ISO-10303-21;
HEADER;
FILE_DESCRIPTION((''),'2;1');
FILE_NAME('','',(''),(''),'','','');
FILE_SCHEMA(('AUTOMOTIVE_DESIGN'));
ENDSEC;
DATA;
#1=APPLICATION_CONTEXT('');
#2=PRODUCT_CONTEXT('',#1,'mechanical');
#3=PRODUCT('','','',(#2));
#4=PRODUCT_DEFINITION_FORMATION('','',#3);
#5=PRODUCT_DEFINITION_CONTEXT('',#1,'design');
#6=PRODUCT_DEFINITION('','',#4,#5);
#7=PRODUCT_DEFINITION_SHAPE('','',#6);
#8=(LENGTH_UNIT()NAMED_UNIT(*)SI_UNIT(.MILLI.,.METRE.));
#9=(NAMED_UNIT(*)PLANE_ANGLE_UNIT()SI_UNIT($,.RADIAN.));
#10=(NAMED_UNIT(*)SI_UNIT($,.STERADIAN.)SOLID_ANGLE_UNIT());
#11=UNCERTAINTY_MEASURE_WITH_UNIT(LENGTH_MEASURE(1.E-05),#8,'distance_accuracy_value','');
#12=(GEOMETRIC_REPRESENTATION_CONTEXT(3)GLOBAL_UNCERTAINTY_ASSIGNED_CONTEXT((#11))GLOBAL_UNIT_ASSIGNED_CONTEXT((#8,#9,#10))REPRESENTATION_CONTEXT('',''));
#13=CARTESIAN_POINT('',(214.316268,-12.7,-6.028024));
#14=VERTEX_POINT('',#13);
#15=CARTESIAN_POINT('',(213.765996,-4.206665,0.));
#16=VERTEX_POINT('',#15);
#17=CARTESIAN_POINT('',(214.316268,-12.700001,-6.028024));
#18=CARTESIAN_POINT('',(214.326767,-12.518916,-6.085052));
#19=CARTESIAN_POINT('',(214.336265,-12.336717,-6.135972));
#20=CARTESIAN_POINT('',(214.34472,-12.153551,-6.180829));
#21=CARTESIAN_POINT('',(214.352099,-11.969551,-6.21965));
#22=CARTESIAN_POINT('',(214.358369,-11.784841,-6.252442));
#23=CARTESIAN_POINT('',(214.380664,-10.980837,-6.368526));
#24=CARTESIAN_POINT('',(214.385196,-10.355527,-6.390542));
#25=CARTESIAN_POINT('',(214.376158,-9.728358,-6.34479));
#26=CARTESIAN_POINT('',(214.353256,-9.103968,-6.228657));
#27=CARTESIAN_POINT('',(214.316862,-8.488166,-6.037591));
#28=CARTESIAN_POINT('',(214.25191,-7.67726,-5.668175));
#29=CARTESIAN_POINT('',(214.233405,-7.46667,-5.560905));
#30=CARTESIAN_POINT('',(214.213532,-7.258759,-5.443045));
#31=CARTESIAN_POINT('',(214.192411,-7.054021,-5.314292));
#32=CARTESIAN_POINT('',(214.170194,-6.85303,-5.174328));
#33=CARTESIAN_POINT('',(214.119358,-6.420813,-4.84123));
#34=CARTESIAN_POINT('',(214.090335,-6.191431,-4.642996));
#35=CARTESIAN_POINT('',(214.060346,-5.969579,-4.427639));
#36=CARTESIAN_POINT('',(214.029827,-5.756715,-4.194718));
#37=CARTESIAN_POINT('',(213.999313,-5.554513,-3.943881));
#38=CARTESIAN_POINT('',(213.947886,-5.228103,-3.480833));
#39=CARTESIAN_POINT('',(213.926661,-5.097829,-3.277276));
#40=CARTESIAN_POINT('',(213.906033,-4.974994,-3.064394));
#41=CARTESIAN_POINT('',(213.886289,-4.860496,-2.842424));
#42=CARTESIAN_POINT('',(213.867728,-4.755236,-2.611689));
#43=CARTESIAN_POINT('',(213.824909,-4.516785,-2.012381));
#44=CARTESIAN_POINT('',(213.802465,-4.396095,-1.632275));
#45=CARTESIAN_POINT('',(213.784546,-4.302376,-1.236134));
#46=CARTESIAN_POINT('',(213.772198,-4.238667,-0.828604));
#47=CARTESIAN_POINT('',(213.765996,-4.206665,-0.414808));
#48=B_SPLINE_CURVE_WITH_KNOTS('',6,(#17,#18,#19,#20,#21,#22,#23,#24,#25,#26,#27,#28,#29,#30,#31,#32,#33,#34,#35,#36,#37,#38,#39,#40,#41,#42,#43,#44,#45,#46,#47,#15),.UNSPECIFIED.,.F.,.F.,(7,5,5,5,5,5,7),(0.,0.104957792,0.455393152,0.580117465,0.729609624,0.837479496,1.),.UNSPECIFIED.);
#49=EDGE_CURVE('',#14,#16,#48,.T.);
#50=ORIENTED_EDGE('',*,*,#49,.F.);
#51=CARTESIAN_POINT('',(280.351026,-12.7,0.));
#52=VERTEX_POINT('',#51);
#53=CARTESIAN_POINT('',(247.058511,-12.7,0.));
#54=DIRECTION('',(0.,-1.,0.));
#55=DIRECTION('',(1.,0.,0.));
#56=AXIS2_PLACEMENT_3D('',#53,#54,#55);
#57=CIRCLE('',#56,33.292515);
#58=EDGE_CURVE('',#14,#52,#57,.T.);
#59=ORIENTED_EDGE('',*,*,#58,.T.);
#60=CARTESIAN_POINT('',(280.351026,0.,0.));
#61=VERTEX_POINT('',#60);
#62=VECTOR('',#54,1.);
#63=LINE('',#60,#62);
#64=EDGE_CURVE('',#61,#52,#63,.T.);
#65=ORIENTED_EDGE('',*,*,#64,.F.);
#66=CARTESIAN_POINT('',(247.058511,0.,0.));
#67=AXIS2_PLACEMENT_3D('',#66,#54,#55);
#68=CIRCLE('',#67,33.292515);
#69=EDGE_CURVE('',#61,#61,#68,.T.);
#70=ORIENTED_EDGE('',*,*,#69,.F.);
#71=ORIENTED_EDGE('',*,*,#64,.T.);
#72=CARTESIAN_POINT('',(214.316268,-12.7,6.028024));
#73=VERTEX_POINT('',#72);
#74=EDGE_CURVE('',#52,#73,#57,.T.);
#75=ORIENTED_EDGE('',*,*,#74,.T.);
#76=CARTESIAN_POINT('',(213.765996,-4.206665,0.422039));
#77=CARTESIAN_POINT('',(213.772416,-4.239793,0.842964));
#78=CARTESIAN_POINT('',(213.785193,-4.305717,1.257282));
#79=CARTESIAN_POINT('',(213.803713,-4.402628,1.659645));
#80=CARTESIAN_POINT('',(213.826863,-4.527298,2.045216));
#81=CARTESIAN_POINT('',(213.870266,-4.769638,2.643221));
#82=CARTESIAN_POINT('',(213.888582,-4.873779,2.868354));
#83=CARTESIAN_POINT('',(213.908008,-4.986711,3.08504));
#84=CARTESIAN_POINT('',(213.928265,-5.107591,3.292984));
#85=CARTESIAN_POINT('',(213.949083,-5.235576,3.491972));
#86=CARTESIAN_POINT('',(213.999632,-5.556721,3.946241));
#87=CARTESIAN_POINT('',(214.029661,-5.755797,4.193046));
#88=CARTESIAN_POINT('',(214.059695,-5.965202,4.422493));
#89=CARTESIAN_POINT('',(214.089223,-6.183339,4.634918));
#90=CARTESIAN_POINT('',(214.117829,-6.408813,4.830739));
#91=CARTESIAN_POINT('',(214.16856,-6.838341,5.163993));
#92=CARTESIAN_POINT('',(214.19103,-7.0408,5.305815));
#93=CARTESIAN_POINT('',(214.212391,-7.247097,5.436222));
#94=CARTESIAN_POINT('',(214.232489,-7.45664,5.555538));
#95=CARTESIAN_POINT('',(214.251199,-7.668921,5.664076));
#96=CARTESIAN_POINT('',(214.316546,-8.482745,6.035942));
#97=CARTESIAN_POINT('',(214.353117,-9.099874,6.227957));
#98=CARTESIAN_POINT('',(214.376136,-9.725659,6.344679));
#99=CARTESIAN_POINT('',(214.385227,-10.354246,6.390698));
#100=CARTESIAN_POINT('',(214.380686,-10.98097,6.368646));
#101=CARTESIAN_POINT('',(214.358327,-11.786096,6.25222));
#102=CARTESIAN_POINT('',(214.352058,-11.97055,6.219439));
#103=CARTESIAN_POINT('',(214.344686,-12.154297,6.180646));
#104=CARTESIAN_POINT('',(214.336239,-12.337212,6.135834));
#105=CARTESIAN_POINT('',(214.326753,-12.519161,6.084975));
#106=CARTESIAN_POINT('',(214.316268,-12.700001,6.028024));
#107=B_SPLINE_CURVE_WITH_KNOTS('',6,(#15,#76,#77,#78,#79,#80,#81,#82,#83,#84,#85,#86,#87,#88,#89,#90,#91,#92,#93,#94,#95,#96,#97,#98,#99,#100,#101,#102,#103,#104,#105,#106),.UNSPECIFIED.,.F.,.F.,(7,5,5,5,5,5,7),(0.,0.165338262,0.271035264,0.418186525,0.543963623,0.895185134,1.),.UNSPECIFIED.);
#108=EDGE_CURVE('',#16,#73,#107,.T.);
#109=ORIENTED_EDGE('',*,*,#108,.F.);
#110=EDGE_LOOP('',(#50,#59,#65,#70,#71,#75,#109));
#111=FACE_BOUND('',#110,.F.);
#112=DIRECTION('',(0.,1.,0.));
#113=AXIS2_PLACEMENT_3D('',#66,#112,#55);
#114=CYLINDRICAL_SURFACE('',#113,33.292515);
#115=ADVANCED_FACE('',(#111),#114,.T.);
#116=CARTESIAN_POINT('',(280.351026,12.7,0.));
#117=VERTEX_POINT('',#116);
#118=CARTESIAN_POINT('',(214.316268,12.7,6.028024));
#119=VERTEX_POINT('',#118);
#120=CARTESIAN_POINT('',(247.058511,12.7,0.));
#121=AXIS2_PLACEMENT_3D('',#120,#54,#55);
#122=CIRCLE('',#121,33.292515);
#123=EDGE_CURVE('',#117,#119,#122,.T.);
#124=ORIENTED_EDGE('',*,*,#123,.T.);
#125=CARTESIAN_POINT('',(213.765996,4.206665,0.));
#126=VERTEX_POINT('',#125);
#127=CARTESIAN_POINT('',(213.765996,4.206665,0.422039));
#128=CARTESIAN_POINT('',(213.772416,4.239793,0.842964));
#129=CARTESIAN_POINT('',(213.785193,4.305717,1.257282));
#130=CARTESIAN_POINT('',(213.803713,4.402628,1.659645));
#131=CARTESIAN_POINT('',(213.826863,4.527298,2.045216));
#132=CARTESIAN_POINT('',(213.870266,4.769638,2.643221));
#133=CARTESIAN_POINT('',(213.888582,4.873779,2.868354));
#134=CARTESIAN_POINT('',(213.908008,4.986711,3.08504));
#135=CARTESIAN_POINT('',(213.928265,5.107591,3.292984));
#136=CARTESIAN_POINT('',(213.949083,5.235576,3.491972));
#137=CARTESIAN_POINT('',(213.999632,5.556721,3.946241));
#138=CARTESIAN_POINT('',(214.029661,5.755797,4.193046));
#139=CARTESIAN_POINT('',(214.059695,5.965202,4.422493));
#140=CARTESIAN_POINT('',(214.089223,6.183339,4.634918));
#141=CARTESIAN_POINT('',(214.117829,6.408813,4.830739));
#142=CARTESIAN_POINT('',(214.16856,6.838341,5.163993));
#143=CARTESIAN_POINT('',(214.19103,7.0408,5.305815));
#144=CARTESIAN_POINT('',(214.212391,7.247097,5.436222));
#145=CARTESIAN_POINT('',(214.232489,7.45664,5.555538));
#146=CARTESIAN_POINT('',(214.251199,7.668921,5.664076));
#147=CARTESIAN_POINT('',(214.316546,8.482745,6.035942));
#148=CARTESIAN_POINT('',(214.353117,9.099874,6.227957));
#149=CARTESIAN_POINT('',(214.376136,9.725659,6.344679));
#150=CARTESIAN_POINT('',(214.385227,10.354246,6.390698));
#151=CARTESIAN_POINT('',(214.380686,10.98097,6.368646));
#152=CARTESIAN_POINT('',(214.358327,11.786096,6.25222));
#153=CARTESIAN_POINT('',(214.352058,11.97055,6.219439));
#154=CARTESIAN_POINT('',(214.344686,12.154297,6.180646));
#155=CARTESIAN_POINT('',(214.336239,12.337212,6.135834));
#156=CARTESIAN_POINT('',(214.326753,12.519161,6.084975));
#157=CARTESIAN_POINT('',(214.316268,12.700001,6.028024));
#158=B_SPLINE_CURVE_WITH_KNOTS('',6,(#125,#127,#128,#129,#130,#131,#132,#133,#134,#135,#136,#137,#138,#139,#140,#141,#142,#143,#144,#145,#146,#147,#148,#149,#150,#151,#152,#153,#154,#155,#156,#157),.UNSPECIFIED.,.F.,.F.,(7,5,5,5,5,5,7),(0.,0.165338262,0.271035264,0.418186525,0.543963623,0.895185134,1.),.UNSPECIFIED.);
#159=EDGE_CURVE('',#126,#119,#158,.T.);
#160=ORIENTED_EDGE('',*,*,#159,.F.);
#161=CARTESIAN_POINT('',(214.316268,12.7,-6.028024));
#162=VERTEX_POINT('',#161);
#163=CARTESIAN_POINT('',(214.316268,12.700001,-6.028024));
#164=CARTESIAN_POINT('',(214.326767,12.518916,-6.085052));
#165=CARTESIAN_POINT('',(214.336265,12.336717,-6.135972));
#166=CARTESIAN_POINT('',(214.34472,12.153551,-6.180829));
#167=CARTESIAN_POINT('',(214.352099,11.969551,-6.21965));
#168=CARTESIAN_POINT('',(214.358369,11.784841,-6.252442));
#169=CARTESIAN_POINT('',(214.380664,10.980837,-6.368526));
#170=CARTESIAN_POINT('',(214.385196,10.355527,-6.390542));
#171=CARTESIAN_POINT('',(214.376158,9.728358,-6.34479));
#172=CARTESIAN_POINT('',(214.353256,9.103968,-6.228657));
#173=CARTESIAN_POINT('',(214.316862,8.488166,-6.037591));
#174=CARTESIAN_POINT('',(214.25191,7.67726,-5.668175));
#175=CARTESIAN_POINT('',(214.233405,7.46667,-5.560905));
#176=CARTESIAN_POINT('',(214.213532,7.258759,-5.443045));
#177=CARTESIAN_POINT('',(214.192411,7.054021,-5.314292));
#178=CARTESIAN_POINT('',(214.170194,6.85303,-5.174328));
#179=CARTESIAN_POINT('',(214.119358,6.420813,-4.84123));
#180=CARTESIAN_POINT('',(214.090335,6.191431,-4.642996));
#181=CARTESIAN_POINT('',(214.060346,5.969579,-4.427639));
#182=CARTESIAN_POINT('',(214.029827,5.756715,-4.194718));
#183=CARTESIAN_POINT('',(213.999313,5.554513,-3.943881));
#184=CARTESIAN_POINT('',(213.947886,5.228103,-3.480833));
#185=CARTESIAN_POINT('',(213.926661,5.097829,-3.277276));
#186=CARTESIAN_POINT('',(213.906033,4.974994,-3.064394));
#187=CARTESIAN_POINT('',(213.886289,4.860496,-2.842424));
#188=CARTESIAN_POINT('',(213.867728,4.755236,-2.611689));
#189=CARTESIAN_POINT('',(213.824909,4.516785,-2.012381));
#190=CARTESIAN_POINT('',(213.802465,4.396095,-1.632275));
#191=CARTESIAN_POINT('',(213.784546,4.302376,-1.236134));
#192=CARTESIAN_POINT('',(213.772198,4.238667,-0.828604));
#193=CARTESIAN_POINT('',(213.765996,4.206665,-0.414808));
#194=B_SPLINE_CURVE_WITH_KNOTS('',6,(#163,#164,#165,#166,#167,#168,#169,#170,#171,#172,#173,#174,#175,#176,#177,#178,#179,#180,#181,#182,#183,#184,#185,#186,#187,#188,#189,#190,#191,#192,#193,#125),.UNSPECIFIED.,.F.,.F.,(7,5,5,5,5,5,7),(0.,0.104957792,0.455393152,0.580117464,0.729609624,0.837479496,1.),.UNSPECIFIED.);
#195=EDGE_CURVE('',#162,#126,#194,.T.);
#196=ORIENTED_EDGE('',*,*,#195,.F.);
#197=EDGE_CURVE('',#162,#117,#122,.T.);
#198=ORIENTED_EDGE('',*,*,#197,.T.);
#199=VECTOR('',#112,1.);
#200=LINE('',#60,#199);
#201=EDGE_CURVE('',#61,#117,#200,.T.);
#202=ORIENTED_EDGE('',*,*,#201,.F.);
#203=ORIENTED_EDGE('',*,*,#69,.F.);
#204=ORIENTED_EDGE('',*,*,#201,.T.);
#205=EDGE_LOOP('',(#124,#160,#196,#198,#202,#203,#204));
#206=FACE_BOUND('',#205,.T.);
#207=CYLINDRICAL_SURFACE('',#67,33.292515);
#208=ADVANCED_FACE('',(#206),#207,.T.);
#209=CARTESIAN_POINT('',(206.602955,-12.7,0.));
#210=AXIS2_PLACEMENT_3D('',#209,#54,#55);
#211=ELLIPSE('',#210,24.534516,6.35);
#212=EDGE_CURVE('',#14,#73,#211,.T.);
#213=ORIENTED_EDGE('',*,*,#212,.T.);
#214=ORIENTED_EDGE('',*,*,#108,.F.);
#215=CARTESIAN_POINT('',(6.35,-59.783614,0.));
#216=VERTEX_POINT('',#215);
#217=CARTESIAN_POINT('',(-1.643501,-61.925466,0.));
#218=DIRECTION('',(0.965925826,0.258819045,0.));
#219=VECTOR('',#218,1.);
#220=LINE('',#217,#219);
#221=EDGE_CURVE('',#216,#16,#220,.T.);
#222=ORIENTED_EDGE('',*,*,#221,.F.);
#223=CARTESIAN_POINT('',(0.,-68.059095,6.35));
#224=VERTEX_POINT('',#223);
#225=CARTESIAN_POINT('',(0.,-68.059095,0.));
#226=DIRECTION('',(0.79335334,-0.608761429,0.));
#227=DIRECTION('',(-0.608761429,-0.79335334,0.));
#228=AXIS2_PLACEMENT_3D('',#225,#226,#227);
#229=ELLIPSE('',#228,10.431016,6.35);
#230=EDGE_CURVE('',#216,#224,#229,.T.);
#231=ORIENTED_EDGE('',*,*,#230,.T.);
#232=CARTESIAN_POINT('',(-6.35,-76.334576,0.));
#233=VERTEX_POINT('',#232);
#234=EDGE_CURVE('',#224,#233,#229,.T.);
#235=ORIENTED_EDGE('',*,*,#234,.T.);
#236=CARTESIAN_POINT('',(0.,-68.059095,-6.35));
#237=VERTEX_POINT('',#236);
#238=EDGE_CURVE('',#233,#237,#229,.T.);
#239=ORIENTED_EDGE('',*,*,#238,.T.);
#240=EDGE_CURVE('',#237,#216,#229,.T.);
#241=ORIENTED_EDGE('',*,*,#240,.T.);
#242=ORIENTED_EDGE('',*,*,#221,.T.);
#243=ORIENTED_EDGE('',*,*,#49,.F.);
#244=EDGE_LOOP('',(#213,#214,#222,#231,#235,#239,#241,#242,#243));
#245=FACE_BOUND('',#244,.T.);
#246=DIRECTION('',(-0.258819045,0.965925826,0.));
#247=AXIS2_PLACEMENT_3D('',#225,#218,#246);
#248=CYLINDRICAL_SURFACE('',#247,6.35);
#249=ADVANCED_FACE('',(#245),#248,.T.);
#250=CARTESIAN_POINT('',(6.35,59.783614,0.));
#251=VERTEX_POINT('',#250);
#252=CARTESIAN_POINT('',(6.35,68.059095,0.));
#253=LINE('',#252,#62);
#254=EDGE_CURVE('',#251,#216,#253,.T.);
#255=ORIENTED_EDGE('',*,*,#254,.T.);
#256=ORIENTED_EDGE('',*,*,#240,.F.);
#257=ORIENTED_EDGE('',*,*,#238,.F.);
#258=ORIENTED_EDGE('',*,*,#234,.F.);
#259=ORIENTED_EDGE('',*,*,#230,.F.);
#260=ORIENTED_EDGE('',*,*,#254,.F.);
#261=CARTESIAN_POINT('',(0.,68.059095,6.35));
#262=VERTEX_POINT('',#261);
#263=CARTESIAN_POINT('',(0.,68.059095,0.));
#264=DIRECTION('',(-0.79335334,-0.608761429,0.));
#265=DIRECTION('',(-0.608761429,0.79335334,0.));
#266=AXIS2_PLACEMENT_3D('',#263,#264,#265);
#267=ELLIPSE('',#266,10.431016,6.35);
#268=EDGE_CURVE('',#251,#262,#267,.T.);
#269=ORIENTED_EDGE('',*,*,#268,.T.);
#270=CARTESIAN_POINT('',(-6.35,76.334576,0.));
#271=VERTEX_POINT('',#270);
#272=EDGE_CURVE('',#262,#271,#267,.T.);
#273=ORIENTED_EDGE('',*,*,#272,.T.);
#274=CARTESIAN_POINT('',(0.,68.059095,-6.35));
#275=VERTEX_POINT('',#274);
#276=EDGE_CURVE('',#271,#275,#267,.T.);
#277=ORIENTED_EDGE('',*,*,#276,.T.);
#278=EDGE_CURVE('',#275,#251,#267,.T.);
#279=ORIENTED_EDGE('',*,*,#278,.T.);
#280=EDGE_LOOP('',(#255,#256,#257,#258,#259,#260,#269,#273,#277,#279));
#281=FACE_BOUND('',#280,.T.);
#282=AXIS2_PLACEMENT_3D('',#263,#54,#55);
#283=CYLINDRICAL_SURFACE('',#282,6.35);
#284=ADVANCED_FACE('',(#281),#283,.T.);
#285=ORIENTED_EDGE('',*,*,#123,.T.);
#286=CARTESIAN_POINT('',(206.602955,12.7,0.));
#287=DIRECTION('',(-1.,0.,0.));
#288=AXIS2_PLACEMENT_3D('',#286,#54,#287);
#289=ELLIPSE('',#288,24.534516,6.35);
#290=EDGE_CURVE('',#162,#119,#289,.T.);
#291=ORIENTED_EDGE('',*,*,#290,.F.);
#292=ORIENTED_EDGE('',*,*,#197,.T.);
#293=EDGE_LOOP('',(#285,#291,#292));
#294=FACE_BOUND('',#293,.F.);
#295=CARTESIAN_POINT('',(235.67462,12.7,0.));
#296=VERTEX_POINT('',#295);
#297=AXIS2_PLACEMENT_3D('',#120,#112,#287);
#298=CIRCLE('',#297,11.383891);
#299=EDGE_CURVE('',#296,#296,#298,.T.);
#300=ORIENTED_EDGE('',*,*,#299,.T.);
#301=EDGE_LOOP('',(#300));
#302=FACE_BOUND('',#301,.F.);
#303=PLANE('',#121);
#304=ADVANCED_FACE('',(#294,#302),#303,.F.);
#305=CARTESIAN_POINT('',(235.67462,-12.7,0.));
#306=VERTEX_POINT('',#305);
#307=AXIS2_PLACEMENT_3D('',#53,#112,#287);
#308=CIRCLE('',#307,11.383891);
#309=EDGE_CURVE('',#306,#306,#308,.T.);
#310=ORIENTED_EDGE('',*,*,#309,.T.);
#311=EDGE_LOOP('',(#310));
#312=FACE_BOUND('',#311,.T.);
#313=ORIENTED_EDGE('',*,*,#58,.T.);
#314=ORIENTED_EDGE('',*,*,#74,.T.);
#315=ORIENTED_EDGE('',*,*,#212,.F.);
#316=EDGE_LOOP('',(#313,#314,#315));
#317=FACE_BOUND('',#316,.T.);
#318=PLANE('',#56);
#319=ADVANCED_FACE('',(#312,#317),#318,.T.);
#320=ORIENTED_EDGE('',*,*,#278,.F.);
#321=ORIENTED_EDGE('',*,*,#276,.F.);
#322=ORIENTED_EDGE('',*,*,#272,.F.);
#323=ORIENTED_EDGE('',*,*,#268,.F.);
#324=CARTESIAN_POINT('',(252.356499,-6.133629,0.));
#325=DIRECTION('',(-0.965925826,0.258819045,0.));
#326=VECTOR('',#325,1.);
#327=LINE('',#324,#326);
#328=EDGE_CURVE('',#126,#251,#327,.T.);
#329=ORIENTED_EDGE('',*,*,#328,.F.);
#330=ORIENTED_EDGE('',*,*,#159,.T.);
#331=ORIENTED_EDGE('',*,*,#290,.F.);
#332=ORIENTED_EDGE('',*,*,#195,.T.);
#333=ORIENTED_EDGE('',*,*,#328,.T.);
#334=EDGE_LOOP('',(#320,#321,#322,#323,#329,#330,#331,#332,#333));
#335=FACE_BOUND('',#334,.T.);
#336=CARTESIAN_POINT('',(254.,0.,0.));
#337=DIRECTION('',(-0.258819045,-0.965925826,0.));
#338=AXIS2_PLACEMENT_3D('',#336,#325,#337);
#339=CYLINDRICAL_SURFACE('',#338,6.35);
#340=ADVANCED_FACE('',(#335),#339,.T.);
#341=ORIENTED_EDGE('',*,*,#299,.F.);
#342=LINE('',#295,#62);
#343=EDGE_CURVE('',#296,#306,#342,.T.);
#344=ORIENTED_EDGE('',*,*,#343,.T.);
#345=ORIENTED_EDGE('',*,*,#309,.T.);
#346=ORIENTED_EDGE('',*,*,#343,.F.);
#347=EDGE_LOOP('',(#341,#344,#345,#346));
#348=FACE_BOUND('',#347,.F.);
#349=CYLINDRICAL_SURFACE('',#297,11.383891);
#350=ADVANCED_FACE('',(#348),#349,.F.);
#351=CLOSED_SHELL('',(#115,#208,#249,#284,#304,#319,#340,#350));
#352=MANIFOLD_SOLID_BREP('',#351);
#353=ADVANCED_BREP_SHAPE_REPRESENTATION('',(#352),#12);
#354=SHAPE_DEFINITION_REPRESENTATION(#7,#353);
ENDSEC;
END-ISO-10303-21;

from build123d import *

# Parameters (mm, degrees)
F1_R          = 6.35
F3_R          = 33.2925149607
F4_DEPTH      = 12.7
F4_DEPTH_BACK = 12.7
F5_R          = 11.3838907511
F6_DEPTH      = 25.4


with BuildPart() as f2:
    # F2: sweep along a path in F0
    with BuildLine(Plane.XY) as f2_path:
        Line((0, 68.0590948775), (0, -68.0590948775))
        Line((0, -68.0590948775), (254, 0))
        Line((254, 0), (0, 68.0590948775))
    # F1 (on Front) → F2 (sweep)
    with BuildSketch(Plane.XZ):
        Circle(F1_R)
    sweep(path=f2_path.line, transition=Transition.RIGHT)

    # F3 (on Front) → F4 (join, two sides)
    with BuildSketch(Plane.XZ) as f4_sk:
        with Locations((247.0585107803, 0)):
            Circle(F3_R)
    extrude(amount=F4_DEPTH)
    extrude(f4_sk.sketch, amount=-F4_DEPTH_BACK)

    # F5 (on face) → F6 (cut)
    with BuildSketch(Plane(origin=(0, 12.7, 0), x_dir=(-1, 0, 0), z_dir=(0, 1, 0))):
        with Locations((-247.0585107803, 0)):
            Circle(F5_R)
    extrude(amount=-F6_DEPTH, mode=Mode.SUBTRACT)


solid = f2.part
